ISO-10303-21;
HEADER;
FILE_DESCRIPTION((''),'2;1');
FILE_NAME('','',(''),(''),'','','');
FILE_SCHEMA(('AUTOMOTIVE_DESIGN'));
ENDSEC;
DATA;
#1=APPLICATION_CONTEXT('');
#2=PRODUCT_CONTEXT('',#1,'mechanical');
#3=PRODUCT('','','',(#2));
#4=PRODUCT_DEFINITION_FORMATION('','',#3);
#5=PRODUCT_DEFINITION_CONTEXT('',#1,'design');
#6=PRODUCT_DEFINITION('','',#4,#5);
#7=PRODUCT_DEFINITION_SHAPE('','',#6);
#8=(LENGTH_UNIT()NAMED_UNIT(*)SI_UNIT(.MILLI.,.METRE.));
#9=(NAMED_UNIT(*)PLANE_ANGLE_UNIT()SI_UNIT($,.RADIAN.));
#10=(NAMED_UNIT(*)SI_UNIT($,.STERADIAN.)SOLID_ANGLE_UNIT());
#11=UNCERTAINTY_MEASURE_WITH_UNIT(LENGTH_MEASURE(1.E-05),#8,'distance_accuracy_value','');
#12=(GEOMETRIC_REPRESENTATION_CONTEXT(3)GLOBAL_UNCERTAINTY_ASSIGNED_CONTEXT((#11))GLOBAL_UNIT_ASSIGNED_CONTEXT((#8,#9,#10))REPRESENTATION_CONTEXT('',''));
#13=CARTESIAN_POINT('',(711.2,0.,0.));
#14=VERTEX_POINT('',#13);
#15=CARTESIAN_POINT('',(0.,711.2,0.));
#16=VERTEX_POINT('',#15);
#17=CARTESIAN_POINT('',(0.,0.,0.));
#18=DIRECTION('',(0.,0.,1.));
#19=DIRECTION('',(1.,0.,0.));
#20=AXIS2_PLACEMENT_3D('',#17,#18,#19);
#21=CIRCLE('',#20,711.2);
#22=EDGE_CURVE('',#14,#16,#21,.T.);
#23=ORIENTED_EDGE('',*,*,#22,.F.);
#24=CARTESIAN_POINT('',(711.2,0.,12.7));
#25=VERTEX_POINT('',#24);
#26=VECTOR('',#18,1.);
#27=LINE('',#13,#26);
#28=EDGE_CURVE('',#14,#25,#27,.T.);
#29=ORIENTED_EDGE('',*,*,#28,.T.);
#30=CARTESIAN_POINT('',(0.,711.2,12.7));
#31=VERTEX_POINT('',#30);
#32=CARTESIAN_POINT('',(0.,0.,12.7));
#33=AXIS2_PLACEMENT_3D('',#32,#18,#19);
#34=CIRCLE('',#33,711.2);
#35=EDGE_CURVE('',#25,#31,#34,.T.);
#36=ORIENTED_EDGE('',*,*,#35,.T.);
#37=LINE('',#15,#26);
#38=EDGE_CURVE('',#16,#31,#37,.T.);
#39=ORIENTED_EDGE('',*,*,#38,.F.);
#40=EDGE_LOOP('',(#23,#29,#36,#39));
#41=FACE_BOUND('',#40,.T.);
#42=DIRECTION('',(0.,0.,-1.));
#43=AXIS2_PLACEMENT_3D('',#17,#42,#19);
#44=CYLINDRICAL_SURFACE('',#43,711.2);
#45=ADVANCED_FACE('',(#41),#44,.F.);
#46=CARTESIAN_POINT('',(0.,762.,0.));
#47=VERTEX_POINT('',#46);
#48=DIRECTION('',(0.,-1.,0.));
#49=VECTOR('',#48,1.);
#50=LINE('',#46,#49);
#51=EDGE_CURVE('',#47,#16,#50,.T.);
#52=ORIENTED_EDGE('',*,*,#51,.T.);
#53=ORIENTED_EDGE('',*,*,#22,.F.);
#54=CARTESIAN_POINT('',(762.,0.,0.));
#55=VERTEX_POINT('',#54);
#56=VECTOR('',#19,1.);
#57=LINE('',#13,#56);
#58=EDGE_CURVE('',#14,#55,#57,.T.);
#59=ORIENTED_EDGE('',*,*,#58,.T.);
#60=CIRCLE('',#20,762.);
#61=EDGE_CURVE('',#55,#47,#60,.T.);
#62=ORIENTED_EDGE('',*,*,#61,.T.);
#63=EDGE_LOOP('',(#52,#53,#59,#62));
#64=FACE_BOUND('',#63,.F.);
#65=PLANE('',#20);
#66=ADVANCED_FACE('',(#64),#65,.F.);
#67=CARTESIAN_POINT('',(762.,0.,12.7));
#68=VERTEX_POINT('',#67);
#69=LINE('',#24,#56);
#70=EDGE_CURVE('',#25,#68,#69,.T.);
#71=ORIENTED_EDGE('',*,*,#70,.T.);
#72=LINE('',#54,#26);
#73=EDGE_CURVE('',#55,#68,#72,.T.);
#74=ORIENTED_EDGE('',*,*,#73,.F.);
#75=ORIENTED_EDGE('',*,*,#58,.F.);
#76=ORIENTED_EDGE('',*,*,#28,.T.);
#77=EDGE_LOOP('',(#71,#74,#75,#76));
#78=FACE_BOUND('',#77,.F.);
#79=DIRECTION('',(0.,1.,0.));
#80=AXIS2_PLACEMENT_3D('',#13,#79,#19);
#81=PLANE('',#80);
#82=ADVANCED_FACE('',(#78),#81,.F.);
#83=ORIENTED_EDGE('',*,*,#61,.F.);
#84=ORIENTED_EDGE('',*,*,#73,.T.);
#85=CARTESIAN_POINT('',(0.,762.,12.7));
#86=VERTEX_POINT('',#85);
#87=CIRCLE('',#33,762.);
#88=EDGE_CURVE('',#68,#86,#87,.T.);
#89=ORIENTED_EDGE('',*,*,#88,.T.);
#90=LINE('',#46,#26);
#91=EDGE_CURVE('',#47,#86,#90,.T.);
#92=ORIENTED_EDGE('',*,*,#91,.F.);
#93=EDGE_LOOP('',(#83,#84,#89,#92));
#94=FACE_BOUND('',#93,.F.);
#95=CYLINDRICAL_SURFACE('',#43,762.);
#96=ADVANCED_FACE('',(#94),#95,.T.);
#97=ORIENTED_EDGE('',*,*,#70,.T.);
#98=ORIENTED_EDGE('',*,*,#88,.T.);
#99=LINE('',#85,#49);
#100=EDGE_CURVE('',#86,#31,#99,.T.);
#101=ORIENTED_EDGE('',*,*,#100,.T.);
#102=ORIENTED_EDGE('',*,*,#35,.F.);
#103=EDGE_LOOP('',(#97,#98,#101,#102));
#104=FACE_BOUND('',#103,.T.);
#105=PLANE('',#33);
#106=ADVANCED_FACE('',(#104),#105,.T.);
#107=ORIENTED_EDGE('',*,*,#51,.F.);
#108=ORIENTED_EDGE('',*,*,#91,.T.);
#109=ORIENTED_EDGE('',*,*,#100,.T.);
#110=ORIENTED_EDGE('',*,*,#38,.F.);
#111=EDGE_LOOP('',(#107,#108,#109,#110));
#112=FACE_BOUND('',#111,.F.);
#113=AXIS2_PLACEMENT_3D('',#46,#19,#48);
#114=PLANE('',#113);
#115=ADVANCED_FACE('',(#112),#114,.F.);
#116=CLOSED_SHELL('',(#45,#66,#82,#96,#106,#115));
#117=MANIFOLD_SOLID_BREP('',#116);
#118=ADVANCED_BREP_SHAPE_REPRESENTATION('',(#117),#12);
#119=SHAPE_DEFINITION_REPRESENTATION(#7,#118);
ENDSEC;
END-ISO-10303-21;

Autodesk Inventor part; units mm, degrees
ref_plane "YZ Plane" through (0, 0, 0) normal (1, 0, 0) x (0, 1, 0)
ref_plane "XZ Plane" through (0, 0, 0) normal (0, 1, 0) x (-1, 0, 0)
ref_plane "XY Plane" through (0, 0, 0) normal (0, 0, 1) x (1, 0, 0)
sketch "Sketch1" plane through (0, 0, 0) normal (0, 0, 1) x (1, 0, 0)
  arc A0 (762, 0) -> (0, 762) centre (0, 0) ccw
  line L0 (0, 762) -> (0, 711.2)
  arc A1 (711.2, 0) -> (0, 711.2) centre (0, 0) ccw
  line L1 (711.2, 0) -> (762, 0)
  dimension "d0" = 762
  dimension "d1" = 50.8
extrude "Extrusion1" add sketch "Sketch1" along normal blind 12.7
properties part number "wheel"
